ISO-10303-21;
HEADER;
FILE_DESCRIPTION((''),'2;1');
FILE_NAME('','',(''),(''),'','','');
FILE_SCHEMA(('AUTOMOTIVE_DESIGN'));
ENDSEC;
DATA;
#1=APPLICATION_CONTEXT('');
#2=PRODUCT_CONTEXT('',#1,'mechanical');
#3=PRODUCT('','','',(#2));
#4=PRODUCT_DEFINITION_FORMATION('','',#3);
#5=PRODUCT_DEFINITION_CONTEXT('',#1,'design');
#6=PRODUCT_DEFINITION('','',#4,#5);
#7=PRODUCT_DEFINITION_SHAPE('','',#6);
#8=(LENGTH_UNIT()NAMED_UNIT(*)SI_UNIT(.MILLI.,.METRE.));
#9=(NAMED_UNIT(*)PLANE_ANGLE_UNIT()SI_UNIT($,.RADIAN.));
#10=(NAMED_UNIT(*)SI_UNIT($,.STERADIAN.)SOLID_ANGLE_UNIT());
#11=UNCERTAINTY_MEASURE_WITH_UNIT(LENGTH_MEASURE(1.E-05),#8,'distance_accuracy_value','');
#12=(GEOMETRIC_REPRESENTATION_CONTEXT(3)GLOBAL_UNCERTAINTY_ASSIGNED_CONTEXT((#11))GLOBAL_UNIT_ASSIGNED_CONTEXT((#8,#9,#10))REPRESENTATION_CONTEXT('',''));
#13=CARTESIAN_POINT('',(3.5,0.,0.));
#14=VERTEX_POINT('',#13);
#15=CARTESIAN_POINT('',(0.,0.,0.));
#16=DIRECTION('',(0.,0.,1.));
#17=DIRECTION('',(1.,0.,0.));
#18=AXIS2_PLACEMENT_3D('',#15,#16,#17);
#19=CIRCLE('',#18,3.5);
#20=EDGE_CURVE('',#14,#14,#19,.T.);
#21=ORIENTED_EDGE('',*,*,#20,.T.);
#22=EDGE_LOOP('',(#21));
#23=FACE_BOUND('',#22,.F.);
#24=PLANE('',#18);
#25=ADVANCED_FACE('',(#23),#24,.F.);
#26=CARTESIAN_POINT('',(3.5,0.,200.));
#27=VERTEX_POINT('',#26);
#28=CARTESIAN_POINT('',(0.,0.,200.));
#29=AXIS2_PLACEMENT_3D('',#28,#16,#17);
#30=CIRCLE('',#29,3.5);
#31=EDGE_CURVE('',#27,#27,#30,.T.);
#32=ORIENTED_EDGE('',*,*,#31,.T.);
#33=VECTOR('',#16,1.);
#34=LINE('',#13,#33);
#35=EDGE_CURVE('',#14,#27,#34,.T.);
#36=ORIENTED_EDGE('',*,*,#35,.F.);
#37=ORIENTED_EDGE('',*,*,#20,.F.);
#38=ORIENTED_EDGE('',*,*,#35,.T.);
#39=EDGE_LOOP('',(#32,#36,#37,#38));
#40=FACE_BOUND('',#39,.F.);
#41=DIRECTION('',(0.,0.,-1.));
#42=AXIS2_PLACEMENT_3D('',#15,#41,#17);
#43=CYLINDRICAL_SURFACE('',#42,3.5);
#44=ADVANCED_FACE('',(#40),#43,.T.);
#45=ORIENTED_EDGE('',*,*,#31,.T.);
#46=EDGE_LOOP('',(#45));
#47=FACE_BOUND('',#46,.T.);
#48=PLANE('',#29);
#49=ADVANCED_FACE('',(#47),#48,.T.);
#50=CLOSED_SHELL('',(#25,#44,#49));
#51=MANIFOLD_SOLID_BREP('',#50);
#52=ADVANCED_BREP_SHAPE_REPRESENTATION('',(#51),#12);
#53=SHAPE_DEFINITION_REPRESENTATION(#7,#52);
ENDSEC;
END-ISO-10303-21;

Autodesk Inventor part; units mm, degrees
ref_plane "YZ Plane" through (0, 0, 0) normal (1, 0, 0) x (0, 1, 0)
ref_plane "XZ Plane" through (0, 0, 0) normal (0, 1, 0) x (-1, 0, 0)
ref_plane "XY Plane" through (0, 0, 0) normal (0, 0, 1) x (1, 0, 0)
sketch "Sketch1" plane through (0, 0, 0) normal (0, 0, 1) x (1, 0, 0)
  circle A0 centre (0, 0) radius 3.5
  dimension "d0" = 7
extrude "Extrusion1" add sketch "Sketch1" along normal blind 200
properties part number "Riel"
